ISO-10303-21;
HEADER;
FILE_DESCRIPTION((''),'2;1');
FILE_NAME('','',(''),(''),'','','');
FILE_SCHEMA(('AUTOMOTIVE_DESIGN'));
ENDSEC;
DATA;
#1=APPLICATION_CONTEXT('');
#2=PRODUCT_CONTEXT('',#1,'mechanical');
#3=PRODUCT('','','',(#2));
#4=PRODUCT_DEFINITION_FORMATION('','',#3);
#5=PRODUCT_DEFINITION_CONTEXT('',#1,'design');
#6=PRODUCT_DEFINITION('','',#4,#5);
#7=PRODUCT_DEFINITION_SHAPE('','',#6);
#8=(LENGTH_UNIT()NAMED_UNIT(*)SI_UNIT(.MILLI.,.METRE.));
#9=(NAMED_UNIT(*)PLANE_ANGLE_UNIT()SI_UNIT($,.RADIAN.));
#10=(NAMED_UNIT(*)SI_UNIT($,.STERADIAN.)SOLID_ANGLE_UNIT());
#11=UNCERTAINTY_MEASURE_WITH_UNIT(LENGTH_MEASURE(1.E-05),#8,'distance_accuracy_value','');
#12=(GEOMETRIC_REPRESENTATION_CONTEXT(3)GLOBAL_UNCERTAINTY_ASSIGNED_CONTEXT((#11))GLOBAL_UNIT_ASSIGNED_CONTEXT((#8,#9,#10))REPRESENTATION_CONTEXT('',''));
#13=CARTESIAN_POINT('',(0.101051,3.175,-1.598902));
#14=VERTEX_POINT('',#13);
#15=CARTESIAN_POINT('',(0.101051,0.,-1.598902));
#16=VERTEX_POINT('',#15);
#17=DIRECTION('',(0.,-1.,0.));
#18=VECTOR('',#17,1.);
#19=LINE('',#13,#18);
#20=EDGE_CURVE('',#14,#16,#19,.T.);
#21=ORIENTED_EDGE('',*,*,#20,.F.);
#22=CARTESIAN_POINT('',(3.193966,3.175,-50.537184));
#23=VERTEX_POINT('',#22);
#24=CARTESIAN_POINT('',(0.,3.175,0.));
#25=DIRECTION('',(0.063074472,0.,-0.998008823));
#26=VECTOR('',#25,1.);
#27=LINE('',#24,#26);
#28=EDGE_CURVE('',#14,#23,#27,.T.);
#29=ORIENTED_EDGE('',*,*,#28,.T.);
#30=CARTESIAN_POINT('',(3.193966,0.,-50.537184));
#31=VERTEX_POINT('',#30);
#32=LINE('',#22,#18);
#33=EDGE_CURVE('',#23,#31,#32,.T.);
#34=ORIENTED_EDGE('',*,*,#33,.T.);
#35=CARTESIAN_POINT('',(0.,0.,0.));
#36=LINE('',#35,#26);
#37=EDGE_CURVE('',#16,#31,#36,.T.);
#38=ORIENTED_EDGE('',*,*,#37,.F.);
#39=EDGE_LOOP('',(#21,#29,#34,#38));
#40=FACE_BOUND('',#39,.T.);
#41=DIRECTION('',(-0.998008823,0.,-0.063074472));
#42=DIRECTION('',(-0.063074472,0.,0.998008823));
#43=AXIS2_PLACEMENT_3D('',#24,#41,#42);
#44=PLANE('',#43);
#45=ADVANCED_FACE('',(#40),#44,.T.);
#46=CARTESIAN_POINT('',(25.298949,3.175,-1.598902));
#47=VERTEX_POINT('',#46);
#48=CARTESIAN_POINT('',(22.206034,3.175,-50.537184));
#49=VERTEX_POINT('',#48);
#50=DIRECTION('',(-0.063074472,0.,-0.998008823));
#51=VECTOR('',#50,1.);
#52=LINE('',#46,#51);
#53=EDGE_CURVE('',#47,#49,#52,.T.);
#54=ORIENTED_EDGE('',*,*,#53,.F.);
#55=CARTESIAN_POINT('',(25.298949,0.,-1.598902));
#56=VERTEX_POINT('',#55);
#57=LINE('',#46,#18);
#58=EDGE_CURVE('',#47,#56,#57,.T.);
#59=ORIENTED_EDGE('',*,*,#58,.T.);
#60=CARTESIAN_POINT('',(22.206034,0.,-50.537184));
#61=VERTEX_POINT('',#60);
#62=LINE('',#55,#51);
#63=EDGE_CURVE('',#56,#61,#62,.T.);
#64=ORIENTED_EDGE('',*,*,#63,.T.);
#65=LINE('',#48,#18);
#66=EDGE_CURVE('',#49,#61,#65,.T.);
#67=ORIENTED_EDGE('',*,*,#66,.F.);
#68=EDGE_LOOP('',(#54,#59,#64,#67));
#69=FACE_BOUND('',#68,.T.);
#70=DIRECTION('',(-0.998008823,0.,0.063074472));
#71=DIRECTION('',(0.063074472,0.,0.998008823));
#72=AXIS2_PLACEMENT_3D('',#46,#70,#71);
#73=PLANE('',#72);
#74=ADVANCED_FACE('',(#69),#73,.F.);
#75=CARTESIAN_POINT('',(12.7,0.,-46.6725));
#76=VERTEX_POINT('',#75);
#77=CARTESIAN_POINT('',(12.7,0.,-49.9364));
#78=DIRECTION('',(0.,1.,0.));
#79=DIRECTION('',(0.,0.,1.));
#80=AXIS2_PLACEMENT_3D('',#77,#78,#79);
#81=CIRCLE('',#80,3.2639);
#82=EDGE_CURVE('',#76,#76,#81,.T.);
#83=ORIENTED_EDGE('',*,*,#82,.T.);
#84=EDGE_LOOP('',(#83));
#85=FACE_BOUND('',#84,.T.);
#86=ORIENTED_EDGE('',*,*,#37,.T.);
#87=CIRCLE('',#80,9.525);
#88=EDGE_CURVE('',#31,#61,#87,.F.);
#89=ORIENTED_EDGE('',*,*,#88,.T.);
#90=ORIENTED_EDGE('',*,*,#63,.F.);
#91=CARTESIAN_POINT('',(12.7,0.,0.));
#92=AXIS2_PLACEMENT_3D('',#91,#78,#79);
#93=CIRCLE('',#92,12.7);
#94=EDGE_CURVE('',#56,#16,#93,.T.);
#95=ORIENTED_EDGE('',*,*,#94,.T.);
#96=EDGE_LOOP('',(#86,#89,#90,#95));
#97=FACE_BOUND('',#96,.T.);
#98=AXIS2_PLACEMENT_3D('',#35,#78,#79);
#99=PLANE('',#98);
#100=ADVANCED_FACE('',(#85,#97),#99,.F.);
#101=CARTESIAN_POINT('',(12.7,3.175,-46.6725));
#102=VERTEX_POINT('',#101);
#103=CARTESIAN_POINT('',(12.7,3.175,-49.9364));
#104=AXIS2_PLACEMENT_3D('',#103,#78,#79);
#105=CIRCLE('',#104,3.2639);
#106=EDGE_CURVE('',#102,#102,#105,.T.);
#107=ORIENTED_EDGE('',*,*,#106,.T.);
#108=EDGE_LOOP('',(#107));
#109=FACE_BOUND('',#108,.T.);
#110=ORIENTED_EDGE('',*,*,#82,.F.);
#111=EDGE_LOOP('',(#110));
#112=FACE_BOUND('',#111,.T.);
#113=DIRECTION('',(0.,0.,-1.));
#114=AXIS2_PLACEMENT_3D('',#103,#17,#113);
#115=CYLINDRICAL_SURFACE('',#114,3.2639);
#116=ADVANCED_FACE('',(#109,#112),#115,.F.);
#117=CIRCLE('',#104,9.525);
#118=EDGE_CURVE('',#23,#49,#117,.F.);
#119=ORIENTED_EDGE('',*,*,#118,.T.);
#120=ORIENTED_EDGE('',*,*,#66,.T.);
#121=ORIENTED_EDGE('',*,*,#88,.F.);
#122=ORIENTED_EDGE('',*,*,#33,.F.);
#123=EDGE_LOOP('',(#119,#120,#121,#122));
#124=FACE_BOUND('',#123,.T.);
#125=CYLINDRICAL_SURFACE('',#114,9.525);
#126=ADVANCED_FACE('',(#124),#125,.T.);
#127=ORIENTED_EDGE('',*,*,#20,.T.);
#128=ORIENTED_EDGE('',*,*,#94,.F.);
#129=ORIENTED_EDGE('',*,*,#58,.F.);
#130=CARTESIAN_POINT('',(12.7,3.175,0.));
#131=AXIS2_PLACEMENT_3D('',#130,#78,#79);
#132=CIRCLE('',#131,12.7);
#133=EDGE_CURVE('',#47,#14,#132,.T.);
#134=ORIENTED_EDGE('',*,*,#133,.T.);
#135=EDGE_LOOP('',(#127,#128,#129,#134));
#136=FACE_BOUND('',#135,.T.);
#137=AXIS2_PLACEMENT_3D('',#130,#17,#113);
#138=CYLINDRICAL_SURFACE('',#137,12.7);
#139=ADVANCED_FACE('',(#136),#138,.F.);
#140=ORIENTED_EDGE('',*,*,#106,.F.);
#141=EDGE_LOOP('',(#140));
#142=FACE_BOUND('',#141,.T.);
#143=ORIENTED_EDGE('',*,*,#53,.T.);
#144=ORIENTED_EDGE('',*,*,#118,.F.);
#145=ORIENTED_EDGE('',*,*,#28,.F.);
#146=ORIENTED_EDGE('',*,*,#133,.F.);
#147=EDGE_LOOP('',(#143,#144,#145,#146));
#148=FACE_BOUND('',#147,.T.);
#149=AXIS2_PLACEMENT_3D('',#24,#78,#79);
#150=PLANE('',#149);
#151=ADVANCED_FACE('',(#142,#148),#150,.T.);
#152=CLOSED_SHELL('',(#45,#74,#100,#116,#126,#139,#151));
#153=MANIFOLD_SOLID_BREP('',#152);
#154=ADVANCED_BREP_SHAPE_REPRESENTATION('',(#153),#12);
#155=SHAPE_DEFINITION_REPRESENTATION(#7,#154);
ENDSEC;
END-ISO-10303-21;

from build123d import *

# Parameters (mm, degrees)
SKETCH1_R           = 3.2639
BOSS_EXTRUDE1_DEPTH = 3.175


with BuildPart() as part:
    # Sketch1 → Boss-Extrude1 (new body)
    with BuildSketch(Plane(origin=(0, 0, 0), x_dir=(1, 0, 0), z_dir=(0, 1, 0))):
        with BuildLine():
            Line((3.19396596, 50.537184344), (0.10105108, 1.598901536))
            ThreePointArc((0.10105108, 1.598901536), (12.7, 12.7), (25.29894892, 1.598901536))
            Line((25.29894892, 1.598901536), (22.20603404, 50.537184344))
            ThreePointArc((22.20603404, 50.537184344), (12.7, 59.4614), (3.19396596, 50.537184344))
        make_face()
        with Locations(Location((12.7, 49.9364, 0), (0, 0, 270))):
            Circle(SKETCH1_R, mode=Mode.SUBTRACT)
    extrude(amount=BOSS_EXTRUDE1_DEPTH)


solid = part.part
